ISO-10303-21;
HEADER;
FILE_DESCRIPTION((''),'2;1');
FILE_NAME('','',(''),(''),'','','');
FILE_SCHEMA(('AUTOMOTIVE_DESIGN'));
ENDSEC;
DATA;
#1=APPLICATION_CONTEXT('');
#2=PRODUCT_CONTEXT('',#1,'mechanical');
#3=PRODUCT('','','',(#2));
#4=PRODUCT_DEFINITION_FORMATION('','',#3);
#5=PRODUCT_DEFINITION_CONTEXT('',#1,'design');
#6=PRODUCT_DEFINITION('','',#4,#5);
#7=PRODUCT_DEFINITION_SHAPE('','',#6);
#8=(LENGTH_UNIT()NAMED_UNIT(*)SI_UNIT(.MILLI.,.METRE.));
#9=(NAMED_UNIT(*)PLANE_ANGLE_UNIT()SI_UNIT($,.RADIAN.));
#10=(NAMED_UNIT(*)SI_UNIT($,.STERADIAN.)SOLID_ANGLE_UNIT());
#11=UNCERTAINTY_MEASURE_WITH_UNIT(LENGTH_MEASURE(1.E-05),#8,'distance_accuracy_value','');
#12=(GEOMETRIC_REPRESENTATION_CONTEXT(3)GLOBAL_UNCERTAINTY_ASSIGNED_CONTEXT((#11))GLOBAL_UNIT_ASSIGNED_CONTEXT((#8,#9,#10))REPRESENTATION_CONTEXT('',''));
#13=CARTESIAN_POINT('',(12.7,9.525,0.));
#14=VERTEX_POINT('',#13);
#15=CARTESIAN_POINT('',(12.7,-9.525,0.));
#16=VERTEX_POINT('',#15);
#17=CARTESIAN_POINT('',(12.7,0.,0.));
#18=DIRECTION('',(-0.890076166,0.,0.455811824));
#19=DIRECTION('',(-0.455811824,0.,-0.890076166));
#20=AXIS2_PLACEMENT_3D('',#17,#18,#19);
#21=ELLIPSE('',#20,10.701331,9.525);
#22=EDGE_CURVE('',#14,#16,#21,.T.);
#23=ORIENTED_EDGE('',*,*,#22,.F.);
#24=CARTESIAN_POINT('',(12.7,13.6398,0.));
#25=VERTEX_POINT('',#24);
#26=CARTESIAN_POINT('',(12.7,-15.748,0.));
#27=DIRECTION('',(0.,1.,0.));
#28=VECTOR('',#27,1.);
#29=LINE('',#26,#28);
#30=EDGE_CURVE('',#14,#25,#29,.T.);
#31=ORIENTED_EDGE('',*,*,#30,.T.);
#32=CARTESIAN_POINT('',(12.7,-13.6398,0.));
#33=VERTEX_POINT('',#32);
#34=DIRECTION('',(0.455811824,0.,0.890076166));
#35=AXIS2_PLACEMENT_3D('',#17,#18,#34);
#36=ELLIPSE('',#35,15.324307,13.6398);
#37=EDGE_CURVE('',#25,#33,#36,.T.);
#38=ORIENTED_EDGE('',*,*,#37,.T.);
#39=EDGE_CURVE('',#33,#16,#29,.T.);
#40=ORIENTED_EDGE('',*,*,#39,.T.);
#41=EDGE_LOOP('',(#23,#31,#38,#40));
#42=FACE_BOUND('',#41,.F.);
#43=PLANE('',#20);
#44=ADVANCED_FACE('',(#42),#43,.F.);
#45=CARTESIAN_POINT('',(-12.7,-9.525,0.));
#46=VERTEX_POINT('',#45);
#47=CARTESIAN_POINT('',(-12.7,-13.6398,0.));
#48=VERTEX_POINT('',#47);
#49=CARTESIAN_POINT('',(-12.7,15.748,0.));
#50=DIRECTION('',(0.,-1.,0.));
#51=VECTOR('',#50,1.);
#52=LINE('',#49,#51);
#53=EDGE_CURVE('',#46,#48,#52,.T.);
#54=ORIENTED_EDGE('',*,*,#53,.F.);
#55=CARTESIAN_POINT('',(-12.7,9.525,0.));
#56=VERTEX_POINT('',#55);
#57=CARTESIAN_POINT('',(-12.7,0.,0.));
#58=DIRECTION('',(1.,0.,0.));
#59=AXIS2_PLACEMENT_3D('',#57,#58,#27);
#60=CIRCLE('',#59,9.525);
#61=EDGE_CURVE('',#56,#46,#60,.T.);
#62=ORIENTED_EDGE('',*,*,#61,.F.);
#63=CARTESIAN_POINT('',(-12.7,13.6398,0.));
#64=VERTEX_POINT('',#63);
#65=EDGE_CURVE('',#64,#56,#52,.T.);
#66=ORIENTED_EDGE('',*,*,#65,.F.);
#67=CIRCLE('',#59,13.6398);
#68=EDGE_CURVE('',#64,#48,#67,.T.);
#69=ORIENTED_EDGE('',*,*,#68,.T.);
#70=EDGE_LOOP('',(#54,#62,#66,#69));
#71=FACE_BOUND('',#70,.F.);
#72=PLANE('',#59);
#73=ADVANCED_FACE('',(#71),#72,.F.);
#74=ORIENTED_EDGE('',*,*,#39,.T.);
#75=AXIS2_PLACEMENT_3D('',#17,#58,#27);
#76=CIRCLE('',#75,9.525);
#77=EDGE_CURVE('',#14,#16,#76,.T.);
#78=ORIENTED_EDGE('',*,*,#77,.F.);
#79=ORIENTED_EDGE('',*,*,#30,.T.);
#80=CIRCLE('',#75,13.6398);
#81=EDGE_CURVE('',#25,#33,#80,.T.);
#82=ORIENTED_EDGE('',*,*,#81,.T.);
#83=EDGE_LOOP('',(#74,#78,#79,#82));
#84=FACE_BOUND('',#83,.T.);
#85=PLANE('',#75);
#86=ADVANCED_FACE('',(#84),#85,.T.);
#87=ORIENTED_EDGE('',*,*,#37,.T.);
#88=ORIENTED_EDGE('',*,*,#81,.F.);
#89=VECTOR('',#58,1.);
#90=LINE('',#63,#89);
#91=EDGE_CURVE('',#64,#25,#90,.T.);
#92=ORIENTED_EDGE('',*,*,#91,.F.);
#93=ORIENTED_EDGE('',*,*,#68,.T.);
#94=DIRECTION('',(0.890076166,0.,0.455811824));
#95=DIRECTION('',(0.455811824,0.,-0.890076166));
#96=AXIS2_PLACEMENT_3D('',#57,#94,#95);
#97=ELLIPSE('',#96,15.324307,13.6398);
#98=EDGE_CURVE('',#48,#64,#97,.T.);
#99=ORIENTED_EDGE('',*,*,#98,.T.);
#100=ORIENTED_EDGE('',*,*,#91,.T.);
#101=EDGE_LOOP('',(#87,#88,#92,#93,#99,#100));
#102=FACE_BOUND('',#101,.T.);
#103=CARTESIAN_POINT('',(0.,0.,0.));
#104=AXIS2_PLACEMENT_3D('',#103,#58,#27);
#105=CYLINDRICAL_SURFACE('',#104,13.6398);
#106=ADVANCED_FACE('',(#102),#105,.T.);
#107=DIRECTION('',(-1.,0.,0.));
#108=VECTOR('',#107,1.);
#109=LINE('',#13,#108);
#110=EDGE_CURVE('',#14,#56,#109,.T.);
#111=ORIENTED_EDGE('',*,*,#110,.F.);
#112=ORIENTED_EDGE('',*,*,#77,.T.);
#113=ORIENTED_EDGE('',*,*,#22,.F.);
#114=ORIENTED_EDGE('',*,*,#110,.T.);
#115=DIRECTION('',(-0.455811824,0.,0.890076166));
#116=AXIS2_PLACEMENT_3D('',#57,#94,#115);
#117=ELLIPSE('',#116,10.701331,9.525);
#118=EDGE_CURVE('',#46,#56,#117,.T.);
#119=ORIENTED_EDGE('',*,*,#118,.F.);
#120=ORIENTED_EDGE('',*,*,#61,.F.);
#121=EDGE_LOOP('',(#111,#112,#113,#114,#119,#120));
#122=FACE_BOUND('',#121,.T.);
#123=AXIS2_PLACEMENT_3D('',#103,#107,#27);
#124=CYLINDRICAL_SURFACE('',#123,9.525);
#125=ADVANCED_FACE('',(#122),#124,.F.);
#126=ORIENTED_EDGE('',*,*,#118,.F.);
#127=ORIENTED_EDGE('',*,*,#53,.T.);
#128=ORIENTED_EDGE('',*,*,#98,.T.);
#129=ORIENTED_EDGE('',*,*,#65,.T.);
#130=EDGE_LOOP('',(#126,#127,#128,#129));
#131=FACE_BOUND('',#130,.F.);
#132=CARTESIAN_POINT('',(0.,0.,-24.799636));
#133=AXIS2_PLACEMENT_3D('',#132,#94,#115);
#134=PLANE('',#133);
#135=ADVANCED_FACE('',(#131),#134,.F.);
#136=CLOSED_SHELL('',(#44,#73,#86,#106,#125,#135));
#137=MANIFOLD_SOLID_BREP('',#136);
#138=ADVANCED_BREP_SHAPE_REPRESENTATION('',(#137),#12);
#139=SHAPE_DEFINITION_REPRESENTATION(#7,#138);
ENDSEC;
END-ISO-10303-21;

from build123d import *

# Parameters (mm, degrees)
F0_R     = 13.6398
F0_R_2   = 9.525
F1_DEPTH = 12.7
F3_DEPTH = 15.748


with BuildPart() as f1:
    # F0 (on Right) → F1 (new body, symmetric)
    with BuildSketch(Plane.YZ):
        Circle(F0_R)
        Circle(F0_R_2, mode=Mode.SUBTRACT)
    extrude(amount=F1_DEPTH, both=True)

    # F2 (on Front) → F3 (cut, symmetric)
    with BuildSketch(Plane.XZ):
        Polygon((0, -24.799636), (-12.7, 0), (-20.097874, -37.90176), (37.946441, -37.658389), (12.7, 0), align=None)
    extrude(amount=F3_DEPTH, both=True, mode=Mode.SUBTRACT)


solid = f1.part
